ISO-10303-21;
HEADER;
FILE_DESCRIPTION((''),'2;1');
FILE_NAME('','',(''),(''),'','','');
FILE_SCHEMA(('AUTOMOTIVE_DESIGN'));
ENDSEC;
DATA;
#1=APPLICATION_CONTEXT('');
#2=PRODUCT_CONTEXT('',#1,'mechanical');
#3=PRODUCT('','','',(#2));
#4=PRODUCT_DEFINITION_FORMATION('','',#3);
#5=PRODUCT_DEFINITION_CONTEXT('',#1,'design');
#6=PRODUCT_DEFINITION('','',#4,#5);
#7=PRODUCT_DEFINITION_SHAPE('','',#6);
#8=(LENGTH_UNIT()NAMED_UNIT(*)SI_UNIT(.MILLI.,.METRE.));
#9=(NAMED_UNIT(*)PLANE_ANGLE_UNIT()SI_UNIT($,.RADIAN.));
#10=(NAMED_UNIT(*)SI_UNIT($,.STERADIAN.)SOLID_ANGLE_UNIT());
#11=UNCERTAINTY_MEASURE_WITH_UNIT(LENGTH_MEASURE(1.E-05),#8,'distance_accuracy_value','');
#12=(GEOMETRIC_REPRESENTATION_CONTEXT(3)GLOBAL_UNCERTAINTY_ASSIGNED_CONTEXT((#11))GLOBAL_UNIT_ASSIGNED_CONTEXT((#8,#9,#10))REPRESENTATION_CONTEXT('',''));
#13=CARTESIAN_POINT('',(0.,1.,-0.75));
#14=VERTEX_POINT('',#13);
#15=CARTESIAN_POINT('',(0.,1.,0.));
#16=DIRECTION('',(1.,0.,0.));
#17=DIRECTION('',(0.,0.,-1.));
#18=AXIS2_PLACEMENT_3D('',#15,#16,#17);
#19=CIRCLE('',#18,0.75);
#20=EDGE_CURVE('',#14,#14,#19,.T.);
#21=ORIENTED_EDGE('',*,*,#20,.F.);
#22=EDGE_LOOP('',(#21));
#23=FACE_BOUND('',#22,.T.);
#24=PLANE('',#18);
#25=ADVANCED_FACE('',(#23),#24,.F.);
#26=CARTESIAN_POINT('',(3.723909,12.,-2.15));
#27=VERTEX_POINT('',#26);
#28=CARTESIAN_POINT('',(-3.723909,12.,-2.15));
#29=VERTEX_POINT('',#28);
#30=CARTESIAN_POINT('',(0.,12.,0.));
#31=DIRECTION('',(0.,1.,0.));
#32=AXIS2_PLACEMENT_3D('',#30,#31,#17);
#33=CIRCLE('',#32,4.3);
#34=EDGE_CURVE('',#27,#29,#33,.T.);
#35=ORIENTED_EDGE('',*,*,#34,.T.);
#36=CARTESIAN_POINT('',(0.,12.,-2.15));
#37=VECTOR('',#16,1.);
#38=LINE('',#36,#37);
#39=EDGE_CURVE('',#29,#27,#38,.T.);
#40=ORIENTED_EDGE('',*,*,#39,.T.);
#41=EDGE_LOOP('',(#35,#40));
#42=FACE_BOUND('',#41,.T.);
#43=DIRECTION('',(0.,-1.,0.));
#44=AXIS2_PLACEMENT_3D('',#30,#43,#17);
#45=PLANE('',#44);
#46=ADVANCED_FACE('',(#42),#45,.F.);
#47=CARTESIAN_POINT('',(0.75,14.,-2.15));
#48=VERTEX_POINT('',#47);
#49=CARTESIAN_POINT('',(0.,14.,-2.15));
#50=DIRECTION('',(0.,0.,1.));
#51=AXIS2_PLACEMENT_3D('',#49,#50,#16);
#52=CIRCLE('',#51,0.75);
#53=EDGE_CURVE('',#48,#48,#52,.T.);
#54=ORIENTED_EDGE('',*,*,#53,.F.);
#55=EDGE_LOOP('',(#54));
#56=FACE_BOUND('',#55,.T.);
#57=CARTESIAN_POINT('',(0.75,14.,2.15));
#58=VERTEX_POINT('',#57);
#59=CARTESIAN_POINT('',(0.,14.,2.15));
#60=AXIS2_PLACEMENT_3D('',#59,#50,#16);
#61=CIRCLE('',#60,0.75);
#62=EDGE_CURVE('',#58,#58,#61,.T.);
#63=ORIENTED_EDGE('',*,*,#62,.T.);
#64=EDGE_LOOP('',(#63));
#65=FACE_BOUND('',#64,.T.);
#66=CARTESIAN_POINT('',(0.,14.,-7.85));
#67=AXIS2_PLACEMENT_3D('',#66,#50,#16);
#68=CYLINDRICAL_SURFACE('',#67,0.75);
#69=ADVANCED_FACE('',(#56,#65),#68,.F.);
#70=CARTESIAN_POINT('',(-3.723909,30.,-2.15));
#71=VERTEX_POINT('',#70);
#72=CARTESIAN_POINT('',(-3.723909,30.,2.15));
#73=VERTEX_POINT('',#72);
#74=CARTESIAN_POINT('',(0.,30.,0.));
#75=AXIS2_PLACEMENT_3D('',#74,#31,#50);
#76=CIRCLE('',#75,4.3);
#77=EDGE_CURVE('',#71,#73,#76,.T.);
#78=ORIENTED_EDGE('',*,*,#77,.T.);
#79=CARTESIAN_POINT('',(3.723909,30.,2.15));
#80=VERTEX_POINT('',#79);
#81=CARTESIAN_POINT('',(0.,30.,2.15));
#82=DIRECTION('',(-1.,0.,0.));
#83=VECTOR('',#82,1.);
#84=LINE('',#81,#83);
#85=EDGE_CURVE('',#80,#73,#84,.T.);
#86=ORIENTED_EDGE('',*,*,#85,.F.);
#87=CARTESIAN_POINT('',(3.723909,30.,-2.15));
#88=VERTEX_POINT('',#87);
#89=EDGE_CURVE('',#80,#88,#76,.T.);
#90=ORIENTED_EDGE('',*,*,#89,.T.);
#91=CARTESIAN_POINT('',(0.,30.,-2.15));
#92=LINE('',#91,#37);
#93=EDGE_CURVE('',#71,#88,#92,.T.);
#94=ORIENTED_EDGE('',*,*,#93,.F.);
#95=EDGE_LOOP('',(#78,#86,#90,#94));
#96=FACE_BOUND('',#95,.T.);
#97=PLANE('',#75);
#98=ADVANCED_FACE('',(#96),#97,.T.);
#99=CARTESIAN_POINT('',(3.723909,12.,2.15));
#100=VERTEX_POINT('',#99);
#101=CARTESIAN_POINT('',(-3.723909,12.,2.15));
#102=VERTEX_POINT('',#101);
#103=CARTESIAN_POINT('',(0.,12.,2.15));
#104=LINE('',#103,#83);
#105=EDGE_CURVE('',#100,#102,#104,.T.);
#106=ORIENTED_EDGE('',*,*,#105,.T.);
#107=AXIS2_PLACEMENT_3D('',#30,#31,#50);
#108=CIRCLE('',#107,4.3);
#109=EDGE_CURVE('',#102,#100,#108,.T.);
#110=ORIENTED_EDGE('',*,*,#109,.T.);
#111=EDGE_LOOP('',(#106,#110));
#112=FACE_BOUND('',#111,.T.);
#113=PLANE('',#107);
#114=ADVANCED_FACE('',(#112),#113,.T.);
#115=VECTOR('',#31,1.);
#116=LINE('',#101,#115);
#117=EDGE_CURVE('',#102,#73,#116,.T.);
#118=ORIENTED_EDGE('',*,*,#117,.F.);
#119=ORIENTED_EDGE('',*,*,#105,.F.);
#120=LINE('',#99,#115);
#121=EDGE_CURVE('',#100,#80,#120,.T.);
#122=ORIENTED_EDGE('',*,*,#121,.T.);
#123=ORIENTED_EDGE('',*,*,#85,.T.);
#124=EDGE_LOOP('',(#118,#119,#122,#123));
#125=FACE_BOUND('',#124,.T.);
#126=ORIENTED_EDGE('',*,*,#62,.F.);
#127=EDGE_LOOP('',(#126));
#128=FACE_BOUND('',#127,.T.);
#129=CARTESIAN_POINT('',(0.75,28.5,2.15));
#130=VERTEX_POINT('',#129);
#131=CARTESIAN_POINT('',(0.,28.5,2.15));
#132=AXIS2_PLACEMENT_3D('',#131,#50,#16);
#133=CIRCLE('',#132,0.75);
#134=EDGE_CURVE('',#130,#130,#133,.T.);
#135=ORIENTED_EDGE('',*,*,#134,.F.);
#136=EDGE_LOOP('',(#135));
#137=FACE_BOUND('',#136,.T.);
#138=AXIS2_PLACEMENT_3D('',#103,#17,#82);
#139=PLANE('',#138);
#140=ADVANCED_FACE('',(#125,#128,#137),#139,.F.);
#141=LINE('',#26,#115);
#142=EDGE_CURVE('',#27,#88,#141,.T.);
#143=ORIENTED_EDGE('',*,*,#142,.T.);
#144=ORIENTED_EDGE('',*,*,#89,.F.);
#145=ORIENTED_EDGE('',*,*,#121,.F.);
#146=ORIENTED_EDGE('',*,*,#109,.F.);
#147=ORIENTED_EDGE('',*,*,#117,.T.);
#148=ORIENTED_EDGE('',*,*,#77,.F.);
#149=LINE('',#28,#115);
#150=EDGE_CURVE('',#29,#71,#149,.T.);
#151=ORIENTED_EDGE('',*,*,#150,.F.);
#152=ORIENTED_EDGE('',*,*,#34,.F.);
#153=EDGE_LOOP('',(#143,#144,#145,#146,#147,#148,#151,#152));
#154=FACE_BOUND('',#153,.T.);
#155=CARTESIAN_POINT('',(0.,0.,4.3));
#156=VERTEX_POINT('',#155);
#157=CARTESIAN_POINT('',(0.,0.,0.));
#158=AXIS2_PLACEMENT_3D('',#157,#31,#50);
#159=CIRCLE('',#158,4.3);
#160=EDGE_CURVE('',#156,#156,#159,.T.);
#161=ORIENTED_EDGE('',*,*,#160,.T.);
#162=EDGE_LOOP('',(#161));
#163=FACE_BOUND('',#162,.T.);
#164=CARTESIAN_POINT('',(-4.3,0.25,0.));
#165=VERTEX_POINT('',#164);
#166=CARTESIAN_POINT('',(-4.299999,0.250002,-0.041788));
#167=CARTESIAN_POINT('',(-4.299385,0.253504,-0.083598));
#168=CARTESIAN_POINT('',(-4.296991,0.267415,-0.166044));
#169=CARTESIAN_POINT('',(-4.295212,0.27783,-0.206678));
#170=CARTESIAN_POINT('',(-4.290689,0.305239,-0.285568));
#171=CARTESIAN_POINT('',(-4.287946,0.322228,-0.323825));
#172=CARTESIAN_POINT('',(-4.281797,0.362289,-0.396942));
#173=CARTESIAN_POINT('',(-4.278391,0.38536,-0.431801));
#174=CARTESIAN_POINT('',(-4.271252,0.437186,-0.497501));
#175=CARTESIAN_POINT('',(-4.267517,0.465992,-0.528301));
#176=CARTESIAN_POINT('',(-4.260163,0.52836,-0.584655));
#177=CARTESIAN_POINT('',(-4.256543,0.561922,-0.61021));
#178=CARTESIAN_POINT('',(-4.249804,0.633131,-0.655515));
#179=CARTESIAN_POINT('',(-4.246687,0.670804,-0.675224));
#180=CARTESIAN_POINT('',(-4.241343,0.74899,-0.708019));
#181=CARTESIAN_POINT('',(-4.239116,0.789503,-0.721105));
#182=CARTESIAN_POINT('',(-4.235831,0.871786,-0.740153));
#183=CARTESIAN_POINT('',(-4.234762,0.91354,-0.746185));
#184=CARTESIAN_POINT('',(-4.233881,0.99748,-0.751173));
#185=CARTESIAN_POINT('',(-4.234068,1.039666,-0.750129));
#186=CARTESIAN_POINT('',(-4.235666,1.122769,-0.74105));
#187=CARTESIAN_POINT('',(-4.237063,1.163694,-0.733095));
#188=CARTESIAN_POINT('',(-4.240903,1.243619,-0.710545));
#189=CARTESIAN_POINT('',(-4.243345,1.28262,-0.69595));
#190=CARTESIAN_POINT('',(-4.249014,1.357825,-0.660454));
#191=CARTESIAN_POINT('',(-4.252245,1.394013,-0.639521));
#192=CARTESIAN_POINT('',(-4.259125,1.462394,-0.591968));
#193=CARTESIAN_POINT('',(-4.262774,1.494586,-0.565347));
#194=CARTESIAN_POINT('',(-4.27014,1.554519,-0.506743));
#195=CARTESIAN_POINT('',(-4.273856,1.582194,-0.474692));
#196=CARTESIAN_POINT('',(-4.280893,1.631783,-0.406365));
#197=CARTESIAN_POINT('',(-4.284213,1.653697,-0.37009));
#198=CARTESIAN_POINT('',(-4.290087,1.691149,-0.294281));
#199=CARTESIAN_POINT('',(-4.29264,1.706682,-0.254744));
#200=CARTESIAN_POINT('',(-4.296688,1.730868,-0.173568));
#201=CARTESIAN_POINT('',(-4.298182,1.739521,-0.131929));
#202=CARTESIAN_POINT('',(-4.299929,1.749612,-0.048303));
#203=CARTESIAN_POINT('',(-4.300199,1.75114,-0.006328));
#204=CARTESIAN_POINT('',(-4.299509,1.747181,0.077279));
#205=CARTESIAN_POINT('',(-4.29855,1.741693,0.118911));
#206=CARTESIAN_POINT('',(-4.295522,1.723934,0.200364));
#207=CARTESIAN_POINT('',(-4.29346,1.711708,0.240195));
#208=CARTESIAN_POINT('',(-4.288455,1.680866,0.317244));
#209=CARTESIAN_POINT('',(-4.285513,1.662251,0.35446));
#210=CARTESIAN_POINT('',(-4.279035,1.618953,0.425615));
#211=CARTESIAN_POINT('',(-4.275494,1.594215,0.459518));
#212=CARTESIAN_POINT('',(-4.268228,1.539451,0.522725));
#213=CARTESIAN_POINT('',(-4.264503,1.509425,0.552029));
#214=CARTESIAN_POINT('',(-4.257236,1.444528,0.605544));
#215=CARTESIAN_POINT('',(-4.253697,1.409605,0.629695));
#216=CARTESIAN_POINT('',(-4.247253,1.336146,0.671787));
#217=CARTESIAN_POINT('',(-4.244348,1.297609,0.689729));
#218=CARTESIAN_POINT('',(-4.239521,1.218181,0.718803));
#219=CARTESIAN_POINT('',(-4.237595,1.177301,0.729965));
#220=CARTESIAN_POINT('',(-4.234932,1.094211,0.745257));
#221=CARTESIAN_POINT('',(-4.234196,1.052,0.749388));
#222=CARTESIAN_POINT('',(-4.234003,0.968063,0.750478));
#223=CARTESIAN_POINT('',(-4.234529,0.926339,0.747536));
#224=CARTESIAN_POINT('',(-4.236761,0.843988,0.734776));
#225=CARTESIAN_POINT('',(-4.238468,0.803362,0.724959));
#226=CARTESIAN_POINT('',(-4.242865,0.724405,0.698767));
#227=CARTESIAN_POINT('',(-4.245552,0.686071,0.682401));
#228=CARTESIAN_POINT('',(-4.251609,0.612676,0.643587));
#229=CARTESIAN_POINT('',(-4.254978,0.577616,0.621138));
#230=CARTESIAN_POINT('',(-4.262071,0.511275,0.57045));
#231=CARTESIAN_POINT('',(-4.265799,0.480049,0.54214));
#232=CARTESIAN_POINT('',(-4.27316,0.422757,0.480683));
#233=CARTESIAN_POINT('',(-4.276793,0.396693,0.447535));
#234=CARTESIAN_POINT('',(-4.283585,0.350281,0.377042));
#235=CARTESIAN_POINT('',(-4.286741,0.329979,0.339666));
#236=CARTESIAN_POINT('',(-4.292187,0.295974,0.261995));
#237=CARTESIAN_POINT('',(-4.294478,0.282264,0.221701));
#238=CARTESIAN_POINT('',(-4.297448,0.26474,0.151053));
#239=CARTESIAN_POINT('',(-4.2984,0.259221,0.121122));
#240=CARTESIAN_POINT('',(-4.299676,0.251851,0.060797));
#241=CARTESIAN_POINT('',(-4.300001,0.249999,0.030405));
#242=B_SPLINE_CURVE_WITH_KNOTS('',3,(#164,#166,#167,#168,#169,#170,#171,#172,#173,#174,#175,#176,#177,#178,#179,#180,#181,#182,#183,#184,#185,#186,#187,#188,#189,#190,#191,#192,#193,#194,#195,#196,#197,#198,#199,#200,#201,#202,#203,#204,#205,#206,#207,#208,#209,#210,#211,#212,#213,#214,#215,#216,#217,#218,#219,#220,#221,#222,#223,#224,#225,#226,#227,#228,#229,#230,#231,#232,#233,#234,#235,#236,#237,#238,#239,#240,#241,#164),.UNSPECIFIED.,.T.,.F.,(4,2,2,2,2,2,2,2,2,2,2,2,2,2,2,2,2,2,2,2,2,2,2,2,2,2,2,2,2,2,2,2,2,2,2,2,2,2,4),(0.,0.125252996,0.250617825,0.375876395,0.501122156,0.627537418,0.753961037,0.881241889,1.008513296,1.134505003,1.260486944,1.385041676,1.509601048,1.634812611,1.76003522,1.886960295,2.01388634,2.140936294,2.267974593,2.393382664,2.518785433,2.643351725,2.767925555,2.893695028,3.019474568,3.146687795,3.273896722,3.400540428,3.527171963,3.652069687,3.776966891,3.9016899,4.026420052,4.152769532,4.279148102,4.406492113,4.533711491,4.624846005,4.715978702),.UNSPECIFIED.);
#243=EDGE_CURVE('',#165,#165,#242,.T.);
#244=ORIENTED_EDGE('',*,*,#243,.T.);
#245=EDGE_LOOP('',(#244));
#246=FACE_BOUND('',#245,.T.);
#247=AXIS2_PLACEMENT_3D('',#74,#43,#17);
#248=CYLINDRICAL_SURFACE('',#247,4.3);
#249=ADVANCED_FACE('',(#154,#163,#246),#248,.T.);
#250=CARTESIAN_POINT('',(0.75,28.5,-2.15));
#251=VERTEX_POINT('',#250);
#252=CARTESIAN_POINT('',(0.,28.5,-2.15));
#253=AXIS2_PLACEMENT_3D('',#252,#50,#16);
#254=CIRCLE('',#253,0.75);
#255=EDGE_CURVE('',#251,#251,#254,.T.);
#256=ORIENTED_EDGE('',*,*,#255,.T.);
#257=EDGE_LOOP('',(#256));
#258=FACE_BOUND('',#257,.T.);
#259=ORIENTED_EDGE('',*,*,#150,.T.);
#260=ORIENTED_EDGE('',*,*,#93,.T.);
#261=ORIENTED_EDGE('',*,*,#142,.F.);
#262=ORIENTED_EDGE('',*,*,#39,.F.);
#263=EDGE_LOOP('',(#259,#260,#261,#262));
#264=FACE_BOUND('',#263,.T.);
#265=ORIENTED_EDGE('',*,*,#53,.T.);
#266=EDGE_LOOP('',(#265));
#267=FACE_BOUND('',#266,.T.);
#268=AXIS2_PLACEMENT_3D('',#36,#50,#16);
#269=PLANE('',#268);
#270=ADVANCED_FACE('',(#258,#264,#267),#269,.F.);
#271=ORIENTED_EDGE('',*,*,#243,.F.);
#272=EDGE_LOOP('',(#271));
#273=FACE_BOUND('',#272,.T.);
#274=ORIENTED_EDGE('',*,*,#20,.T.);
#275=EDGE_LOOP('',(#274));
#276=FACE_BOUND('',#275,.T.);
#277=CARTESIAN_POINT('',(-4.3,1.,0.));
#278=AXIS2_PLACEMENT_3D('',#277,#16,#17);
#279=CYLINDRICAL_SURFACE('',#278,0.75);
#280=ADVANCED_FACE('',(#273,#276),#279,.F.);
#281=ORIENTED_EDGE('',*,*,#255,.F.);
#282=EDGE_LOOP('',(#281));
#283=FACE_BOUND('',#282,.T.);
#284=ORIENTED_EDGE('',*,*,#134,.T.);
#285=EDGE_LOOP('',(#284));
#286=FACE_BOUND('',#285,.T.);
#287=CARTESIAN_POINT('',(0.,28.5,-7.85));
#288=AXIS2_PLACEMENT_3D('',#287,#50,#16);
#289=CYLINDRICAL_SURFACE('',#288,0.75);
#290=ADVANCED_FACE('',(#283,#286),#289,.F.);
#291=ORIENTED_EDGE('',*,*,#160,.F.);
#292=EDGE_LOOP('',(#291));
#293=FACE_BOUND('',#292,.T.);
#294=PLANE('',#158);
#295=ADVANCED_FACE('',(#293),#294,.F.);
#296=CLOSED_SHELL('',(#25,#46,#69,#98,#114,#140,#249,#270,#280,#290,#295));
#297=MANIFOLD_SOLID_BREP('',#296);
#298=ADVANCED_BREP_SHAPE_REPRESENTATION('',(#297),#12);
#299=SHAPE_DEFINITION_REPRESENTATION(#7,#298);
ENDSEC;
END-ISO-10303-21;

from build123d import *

# Parameters (mm, degrees)
SKETCH2_R           = 4.3
BOSS_EXTRUDE2_DEPTH = 30
CUT_EXTRUDE2_DEPTH  = 18
SKETCH6_R           = 0.75
CUT_EXTRUDE3_DEPTH  = 10
SKETCH8_R           = 0.75
CUT_EXTRUDE5_DEPTH  = 5.3
SKETCH9_R           = 0.75
CUT_EXTRUDE6_DEPTH  = 10


with BuildPart() as part:
    # Sketch2 → Boss-Extrude2 (new body)
    with BuildSketch(Plane(origin=(0, 0, 0), x_dir=(1, 0, 0), z_dir=(0, 1, 0))):
        Circle(SKETCH2_R)
    extrude(amount=BOSS_EXTRUDE2_DEPTH)

    # Sketch4 → Cut-Extrude2 (cut)
    with BuildSketch(Plane(origin=(0, 30, 0), x_dir=(1, 0, 0), z_dir=(0, 1, 0))):
        with BuildLine():
            Line((0, 2.15), (-3.723909236, 2.15))
            ThreePointArc((-3.723909236, 2.15), (0, 4.3), (3.723909236, 2.15))
            Line((3.723909236, 2.15), (0, 2.15))
        make_face()
        with BuildLine():
            Line((0, -2.15), (-3.723909236, -2.15))
            ThreePointArc((-3.723909236, -2.15), (0, -4.3), (3.723909236, -2.15))
            Line((3.723909236, -2.15), (0, -2.15))
        make_face()
    extrude(amount=-CUT_EXTRUDE2_DEPTH, mode=Mode.SUBTRACT)

    # Sketch6 → Cut-Extrude3 (cut)
    with BuildSketch(Plane.XY.offset(2.15)):
        with Locations((0, 14)):
            Circle(SKETCH6_R)
    extrude(amount=-CUT_EXTRUDE3_DEPTH, mode=Mode.SUBTRACT)

    # Sketch8 → Cut-Extrude5 (cut, through all)
    with BuildSketch(Plane(origin=(0, 0, 0), x_dir=(0, 0, -1), z_dir=(1, 0, 0))):
        with Locations((0, 1)):
            Circle(SKETCH8_R)
    extrude(amount=-CUT_EXTRUDE5_DEPTH, mode=Mode.SUBTRACT)

    # Sketch9 → Cut-Extrude6 (cut)
    with BuildSketch(Plane.XY.offset(2.15)):
        with Locations((0, 28.5)):
            Circle(SKETCH9_R)
    extrude(amount=-CUT_EXTRUDE6_DEPTH, mode=Mode.SUBTRACT)


solid = part.part
